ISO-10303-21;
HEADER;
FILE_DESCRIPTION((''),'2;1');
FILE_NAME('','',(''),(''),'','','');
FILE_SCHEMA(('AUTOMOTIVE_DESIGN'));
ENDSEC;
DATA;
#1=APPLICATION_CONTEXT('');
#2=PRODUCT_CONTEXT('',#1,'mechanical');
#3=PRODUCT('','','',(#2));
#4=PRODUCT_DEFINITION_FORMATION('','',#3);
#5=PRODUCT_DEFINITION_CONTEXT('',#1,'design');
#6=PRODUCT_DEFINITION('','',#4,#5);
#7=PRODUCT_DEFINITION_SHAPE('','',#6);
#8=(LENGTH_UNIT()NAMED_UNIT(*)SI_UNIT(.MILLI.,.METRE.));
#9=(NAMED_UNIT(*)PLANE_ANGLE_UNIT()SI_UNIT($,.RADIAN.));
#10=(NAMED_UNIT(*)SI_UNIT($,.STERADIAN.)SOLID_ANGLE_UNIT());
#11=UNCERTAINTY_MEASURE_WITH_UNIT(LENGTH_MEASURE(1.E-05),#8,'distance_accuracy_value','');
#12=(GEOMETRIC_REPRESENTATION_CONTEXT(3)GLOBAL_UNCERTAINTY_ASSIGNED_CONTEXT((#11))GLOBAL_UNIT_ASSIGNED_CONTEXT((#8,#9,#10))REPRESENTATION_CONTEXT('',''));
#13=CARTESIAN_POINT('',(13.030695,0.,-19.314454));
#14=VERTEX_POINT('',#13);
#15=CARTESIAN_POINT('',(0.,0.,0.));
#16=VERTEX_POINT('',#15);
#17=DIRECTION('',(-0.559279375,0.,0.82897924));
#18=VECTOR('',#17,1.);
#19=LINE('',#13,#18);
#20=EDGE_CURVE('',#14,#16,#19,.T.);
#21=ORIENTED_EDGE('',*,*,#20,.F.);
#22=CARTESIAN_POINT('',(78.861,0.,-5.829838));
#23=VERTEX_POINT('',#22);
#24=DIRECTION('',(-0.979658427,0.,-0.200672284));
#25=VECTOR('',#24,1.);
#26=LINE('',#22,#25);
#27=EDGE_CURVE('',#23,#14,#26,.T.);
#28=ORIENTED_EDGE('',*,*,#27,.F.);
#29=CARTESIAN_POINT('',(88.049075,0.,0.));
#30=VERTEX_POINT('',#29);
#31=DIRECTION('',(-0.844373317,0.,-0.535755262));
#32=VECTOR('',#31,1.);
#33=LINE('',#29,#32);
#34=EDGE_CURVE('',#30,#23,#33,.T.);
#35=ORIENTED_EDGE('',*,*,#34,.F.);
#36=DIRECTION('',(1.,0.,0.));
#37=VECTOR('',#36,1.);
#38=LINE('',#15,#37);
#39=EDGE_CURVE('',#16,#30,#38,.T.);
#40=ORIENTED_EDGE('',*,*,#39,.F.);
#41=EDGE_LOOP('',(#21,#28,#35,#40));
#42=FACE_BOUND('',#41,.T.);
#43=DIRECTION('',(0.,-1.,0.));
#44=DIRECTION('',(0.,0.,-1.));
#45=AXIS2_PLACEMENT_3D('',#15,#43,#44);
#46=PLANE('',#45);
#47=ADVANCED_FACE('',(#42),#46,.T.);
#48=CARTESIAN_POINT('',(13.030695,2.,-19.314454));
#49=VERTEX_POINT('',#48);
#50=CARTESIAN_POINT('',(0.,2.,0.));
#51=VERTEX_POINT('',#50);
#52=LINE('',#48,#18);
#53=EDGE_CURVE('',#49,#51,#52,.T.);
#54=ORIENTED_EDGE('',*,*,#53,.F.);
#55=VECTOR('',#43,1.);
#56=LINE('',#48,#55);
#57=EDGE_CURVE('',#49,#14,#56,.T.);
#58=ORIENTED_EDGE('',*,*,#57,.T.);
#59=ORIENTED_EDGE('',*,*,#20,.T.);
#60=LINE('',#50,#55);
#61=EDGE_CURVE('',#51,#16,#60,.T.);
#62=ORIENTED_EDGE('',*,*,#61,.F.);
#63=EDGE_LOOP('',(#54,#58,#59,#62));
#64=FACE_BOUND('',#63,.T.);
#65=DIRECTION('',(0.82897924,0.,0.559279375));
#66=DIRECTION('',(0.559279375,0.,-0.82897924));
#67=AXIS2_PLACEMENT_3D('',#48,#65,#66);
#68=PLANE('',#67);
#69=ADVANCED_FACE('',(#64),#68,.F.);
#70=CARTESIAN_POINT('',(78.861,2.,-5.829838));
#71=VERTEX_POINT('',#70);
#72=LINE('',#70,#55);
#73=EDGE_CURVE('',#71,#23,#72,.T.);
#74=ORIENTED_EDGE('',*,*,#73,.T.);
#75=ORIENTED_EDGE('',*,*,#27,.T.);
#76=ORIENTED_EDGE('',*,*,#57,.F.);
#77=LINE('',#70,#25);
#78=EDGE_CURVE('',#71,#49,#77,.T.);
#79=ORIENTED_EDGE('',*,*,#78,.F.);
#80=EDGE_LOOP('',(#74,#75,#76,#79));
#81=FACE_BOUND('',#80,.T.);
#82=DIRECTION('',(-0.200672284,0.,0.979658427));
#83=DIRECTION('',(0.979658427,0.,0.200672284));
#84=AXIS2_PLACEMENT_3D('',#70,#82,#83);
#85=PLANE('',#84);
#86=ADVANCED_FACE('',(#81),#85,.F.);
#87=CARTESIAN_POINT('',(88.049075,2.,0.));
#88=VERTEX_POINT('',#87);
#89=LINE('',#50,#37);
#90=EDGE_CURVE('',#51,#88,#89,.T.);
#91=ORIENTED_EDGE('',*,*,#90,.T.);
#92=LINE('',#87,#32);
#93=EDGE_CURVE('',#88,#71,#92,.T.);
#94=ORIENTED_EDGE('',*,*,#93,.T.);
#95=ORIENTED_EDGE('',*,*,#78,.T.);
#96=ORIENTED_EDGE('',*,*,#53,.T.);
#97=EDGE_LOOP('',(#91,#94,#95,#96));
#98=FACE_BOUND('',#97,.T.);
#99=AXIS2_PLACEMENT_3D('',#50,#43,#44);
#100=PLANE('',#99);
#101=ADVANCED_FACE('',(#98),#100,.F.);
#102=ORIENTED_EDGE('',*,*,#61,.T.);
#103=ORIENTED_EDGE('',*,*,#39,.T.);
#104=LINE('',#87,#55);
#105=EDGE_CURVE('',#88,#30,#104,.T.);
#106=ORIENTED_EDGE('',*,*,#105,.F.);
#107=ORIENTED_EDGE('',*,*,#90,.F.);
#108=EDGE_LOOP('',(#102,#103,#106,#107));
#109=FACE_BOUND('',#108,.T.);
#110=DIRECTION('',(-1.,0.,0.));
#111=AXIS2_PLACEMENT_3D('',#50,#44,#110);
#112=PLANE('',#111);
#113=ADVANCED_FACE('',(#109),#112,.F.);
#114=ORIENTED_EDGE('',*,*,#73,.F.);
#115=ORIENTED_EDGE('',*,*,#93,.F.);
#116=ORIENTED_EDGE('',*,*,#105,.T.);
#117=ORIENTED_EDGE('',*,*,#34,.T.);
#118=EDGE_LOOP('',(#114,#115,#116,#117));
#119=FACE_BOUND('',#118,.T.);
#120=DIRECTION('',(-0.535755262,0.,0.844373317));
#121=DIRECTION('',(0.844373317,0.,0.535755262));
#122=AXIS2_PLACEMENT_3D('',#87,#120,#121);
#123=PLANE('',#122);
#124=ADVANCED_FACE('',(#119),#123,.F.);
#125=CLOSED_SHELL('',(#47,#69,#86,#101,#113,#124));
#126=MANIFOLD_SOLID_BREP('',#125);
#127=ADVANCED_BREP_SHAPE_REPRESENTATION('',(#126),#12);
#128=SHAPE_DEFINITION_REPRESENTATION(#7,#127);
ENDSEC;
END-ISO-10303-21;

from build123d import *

# Parameters (mm, degrees)
BOSS_EXTRU_1_DEPTH = 2


with BuildPart() as part:
    # Esquisse1 → Boss.-Extru.1 (new body)
    with BuildSketch(Plane(origin=(0, 0, 0), x_dir=(1, 0, 0), z_dir=(0, 1, 0))):
        Polygon((88.04907517, 0), (78.860999726, 5.829838139), (13.030695145, 19.31445401), (0, 0), align=None)
    extrude(amount=BOSS_EXTRU_1_DEPTH)


solid = part.part
